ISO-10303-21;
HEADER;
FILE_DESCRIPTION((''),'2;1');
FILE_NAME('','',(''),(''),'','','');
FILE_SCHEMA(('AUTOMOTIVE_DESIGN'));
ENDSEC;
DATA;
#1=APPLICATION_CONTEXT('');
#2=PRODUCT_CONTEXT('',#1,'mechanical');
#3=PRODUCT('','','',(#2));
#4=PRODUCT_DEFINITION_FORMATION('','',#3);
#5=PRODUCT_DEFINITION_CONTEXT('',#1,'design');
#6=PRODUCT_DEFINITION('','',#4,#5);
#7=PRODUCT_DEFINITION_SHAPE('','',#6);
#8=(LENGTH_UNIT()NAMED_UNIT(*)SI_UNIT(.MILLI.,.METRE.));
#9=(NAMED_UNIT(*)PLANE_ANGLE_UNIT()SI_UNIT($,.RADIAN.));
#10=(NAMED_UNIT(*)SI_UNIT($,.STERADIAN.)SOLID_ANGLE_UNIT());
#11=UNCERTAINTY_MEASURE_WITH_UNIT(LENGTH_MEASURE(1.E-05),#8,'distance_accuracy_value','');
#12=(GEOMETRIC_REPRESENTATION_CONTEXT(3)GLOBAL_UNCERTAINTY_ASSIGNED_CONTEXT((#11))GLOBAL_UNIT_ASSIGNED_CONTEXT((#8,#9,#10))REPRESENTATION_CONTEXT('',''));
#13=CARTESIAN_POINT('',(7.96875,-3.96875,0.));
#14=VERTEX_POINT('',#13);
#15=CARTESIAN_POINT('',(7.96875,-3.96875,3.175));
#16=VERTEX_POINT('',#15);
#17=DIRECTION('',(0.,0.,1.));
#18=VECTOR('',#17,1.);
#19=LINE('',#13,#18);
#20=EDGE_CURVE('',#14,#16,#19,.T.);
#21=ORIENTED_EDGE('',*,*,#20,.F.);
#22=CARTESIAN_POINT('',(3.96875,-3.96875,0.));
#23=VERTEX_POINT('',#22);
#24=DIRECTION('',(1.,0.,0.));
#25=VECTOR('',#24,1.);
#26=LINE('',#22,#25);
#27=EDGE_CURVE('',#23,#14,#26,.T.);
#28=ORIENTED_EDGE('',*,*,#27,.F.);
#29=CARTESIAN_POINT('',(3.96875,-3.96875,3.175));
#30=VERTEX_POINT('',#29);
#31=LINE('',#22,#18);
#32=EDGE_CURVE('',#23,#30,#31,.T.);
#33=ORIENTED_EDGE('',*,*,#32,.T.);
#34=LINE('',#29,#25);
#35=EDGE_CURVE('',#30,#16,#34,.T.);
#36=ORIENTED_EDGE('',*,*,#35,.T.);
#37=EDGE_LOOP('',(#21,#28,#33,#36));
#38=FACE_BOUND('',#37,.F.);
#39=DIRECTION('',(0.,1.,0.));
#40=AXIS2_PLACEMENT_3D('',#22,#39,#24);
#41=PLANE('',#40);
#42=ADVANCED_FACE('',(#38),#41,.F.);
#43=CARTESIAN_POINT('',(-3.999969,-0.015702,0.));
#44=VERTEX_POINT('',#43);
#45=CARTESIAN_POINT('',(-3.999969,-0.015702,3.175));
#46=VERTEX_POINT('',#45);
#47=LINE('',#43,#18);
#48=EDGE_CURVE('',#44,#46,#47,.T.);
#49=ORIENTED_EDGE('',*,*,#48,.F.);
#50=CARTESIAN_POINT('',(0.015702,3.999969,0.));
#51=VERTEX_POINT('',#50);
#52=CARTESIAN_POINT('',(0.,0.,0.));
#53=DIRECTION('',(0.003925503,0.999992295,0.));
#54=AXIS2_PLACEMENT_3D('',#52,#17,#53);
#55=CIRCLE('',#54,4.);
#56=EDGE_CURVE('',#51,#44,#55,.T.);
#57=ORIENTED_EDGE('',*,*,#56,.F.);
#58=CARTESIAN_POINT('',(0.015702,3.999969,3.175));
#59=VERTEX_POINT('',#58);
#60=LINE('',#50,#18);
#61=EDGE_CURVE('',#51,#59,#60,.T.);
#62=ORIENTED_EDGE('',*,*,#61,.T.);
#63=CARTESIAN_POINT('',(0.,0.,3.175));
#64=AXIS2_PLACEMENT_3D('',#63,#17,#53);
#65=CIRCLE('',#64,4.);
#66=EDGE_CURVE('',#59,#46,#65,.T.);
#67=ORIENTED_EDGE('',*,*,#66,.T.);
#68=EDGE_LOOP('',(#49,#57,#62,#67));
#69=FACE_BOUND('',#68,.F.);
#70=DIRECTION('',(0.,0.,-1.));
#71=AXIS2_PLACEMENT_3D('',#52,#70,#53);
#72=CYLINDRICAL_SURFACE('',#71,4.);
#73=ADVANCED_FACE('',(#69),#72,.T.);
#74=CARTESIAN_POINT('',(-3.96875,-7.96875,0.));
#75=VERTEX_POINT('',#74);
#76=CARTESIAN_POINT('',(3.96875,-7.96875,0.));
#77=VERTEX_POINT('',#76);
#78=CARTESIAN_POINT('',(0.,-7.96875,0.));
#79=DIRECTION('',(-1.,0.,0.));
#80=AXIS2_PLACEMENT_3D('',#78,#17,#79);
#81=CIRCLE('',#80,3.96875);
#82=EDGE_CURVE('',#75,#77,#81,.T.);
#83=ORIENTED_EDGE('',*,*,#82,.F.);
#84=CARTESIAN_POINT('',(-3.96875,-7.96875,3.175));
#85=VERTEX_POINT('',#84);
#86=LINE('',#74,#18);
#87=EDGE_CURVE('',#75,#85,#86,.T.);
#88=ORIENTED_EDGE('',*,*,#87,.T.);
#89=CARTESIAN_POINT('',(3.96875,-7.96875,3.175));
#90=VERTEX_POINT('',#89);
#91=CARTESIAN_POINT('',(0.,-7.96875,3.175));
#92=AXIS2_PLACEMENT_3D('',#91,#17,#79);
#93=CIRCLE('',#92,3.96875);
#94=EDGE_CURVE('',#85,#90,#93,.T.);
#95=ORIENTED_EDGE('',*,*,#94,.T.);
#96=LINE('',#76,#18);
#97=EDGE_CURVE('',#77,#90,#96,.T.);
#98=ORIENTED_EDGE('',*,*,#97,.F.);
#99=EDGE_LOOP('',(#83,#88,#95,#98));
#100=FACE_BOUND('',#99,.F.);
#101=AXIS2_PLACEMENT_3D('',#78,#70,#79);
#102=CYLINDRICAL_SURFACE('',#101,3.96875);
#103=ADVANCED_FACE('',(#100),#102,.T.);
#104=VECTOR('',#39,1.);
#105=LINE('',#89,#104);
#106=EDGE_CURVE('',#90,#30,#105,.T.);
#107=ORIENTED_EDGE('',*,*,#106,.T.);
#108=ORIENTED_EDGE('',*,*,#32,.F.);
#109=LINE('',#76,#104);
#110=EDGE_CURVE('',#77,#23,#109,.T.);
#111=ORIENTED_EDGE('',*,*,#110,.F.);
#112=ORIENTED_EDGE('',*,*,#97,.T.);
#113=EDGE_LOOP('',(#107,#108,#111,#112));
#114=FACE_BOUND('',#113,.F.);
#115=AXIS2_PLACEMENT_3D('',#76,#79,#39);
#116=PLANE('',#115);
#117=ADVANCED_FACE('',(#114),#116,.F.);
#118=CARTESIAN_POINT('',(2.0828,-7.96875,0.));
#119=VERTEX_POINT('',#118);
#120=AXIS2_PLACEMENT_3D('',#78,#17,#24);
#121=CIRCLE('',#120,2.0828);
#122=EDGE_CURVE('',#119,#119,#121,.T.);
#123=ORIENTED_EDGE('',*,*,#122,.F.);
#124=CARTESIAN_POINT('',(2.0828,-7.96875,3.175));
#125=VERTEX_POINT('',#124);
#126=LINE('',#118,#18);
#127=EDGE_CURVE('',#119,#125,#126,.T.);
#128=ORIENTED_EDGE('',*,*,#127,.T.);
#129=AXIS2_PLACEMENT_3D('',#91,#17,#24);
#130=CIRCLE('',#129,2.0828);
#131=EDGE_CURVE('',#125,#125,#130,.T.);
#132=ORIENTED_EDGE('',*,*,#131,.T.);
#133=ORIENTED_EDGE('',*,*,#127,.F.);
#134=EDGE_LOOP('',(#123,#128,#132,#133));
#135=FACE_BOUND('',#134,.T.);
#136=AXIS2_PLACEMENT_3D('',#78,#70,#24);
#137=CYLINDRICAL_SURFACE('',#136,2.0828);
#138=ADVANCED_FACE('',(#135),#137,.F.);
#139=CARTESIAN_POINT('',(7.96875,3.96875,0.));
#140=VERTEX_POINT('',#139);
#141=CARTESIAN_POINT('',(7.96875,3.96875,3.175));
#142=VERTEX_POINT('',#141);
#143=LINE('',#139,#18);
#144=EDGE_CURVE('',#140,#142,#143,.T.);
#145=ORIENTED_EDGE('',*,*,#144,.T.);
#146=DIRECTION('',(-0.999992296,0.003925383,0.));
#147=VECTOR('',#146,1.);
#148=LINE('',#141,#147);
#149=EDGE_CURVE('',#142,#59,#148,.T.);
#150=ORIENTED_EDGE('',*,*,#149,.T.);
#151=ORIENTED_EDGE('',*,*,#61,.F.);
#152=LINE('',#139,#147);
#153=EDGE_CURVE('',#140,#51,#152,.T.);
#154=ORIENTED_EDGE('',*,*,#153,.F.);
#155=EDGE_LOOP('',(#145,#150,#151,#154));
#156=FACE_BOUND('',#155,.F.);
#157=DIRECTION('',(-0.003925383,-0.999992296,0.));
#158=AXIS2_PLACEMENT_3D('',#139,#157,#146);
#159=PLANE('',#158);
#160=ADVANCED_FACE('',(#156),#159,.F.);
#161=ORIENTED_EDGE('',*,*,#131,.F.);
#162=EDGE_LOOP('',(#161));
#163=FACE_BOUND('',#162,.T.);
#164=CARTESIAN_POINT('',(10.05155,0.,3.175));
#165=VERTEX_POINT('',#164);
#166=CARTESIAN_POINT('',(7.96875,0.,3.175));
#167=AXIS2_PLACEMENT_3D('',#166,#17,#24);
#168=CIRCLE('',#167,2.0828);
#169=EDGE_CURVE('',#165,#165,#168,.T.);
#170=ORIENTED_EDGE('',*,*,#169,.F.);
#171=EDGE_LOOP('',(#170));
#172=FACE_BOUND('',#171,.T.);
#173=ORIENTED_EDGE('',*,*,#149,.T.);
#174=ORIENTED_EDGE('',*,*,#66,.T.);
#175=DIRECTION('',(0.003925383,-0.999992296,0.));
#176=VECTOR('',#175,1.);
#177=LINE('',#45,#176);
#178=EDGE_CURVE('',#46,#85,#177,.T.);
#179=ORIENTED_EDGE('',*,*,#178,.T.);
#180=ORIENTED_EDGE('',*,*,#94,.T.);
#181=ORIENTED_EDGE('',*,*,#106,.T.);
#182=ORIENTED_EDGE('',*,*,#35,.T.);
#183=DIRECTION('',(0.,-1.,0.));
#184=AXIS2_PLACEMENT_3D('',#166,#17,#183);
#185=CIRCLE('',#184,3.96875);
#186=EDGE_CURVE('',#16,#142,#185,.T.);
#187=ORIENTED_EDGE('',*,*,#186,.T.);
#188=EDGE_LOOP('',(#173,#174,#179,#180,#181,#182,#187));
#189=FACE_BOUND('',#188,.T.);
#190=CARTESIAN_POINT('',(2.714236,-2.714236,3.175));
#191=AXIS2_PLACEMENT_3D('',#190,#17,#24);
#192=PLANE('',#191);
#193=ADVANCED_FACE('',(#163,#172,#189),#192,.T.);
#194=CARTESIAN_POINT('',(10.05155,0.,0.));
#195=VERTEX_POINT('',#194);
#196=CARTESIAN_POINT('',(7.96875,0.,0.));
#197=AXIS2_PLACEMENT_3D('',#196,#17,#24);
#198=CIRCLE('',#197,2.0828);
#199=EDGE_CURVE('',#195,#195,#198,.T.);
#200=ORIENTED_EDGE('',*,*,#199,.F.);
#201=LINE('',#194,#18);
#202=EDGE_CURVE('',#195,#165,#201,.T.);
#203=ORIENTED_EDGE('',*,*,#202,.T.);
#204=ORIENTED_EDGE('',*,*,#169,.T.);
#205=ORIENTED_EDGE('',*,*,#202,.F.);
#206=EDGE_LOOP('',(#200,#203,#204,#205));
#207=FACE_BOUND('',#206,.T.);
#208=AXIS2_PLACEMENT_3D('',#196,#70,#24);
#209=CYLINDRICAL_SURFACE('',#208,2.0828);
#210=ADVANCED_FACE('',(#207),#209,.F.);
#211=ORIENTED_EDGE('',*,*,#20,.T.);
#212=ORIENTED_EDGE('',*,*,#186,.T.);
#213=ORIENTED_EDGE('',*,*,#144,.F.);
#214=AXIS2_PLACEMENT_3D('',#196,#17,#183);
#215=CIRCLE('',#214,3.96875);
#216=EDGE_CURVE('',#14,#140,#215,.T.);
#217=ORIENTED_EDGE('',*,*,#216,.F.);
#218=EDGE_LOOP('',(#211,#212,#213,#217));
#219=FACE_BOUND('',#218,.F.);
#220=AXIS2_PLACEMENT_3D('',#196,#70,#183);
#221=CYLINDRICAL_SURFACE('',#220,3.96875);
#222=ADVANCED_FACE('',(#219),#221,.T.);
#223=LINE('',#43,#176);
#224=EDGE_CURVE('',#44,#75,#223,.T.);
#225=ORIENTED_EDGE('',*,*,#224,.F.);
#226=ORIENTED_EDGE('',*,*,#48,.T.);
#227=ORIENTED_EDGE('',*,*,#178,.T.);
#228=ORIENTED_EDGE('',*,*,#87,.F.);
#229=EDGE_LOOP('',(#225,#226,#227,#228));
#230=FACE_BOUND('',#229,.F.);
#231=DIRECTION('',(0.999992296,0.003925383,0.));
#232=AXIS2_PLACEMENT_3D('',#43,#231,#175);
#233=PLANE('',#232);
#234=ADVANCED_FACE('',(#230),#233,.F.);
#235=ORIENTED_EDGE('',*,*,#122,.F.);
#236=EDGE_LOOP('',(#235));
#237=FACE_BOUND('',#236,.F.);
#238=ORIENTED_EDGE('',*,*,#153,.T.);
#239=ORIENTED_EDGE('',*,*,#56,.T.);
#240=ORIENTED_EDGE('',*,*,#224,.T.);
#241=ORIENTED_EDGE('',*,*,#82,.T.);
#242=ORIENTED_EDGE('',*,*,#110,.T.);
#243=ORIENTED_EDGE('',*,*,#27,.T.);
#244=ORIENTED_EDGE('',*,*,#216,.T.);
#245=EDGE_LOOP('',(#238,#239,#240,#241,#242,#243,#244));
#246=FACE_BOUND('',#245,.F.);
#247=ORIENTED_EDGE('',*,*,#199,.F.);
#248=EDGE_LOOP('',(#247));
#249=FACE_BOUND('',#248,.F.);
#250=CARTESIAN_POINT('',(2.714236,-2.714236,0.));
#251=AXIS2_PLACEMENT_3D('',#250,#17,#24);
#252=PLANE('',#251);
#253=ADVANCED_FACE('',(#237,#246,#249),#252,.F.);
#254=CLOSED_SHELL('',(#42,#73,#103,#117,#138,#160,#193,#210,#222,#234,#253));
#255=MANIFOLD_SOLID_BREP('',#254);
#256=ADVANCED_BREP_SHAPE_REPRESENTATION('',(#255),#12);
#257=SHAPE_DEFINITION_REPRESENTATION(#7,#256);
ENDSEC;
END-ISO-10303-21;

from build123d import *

# Parameters (mm, degrees)
F0_R     = 2.0828
F1_DEPTH = 3.175


with BuildPart() as f1:
    # F0 (on Top) → F1 (new body)
    with BuildSketch(Plane.XY):
        with BuildLine():
            Line((7.96875, 3.96875), (0.015702, 3.999969))
            ThreePointArc((0.015702, 3.999969), (-2.828427, 2.828427), (-3.999969, -0.015702))
            Line((-3.999969, -0.015702), (-3.96875, -7.96875))
            ThreePointArc((-3.96875, -7.96875), (0, -11.9375), (3.96875, -7.96875))
            Line((3.96875, -7.96875), (3.96875, -3.96875))
            Line((3.96875, -3.96875), (7.96875, -3.96875))
            ThreePointArc((7.96875, -3.96875), (11.9375, 0), (7.96875, 3.96875))
        make_face()
        with Locations((0, -7.96875)):
            Circle(F0_R, mode=Mode.SUBTRACT)
        with Locations((7.96875, 0)):
            Circle(F0_R, mode=Mode.SUBTRACT)
    extrude(amount=F1_DEPTH)


solid = f1.part
